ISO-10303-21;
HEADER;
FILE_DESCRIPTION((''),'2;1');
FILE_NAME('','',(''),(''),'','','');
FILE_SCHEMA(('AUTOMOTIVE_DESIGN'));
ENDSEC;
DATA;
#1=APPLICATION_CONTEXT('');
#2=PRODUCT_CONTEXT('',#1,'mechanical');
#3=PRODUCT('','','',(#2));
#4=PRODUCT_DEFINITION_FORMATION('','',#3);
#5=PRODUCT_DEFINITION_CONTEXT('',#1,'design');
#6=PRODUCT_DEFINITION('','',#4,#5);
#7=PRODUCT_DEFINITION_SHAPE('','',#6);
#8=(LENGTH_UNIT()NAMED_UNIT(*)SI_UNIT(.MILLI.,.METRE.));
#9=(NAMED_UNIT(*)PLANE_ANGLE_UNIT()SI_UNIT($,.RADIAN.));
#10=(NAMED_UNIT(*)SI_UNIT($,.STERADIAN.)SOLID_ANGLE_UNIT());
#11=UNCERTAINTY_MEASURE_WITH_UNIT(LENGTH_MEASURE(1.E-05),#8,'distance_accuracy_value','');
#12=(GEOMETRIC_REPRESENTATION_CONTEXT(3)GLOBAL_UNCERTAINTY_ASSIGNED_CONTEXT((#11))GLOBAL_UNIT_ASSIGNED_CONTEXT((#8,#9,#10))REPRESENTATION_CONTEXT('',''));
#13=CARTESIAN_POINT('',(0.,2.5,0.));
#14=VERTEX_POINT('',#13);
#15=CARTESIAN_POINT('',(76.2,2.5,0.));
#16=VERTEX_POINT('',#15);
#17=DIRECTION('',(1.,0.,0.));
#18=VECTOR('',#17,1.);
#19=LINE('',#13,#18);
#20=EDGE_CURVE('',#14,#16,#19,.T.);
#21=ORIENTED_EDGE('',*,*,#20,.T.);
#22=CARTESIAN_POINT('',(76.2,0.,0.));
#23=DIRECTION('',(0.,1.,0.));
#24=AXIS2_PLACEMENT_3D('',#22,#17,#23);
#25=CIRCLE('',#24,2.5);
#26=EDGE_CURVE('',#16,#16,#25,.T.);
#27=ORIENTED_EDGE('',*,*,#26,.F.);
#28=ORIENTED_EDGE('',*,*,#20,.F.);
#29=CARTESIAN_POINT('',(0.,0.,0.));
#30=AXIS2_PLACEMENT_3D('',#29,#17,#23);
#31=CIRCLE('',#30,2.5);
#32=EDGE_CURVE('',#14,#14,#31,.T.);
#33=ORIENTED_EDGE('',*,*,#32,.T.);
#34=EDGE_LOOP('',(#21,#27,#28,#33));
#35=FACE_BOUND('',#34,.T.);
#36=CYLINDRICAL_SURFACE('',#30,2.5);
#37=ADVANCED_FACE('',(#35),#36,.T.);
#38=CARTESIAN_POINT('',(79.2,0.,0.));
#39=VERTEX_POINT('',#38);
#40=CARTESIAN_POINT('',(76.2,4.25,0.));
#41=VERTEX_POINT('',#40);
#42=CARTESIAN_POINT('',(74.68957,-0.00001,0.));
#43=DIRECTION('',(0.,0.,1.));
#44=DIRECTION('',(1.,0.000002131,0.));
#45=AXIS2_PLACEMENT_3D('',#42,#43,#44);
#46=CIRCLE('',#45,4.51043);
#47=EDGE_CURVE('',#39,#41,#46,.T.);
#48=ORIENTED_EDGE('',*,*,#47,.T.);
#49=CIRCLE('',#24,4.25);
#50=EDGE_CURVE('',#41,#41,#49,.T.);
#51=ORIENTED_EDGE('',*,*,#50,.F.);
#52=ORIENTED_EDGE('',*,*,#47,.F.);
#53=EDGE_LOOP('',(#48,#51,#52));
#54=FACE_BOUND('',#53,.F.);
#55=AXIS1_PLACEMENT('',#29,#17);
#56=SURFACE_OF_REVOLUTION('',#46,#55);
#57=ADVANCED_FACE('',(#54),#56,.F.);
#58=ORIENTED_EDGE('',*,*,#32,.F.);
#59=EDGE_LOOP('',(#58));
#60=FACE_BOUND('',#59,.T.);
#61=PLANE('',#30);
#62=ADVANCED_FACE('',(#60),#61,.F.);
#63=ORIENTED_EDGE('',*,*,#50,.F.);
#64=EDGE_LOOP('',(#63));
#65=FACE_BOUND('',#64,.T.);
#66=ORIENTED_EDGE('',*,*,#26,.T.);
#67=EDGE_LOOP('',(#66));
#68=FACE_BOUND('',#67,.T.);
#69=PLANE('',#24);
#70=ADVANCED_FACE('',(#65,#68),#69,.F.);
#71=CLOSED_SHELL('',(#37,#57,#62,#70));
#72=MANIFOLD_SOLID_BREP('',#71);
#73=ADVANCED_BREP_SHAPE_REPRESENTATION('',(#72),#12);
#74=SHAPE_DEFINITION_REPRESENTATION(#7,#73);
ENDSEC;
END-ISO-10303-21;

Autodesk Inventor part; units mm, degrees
ref_plane "YZ Plane" through (0, 0, 0) normal (1, 0, 0) x (0, 1, 0)
ref_plane "XZ Plane" through (0, 0, 0) normal (0, 1, 0) x (-1, 0, 0)
ref_plane "XY Plane" through (0, 0, 0) normal (0, 0, 1) x (1, 0, 0)
sketch "Sketch1" plane through (0, 0, 0) normal (0, 0, 1) x (1, 0, 0)
  line L0 (0, 0) -> (0, 2.5)
  line L1 (0, 2.5) -> (76.2, 2.5)
  line L2 (0, 0) -> (79.2, 0)
  line L3 (76.2, 2.5) -> (76.2, 4.25)
  arc A0 (79.2, 0) -> (76.2, 4.25) centre (74.6896, 0) ccw
  dimension "d0" = 2.5
  dimension "d1" = 76.2
  dimension "d3" = 3
  dimension "d4" = 4.25
revolve "Revolution1" add sketch "Sketch1" angle 360 about axis through (0, 0, 0) along (1, 0, 0)
properties part number "3in_bolt_for_belt_tightening"
